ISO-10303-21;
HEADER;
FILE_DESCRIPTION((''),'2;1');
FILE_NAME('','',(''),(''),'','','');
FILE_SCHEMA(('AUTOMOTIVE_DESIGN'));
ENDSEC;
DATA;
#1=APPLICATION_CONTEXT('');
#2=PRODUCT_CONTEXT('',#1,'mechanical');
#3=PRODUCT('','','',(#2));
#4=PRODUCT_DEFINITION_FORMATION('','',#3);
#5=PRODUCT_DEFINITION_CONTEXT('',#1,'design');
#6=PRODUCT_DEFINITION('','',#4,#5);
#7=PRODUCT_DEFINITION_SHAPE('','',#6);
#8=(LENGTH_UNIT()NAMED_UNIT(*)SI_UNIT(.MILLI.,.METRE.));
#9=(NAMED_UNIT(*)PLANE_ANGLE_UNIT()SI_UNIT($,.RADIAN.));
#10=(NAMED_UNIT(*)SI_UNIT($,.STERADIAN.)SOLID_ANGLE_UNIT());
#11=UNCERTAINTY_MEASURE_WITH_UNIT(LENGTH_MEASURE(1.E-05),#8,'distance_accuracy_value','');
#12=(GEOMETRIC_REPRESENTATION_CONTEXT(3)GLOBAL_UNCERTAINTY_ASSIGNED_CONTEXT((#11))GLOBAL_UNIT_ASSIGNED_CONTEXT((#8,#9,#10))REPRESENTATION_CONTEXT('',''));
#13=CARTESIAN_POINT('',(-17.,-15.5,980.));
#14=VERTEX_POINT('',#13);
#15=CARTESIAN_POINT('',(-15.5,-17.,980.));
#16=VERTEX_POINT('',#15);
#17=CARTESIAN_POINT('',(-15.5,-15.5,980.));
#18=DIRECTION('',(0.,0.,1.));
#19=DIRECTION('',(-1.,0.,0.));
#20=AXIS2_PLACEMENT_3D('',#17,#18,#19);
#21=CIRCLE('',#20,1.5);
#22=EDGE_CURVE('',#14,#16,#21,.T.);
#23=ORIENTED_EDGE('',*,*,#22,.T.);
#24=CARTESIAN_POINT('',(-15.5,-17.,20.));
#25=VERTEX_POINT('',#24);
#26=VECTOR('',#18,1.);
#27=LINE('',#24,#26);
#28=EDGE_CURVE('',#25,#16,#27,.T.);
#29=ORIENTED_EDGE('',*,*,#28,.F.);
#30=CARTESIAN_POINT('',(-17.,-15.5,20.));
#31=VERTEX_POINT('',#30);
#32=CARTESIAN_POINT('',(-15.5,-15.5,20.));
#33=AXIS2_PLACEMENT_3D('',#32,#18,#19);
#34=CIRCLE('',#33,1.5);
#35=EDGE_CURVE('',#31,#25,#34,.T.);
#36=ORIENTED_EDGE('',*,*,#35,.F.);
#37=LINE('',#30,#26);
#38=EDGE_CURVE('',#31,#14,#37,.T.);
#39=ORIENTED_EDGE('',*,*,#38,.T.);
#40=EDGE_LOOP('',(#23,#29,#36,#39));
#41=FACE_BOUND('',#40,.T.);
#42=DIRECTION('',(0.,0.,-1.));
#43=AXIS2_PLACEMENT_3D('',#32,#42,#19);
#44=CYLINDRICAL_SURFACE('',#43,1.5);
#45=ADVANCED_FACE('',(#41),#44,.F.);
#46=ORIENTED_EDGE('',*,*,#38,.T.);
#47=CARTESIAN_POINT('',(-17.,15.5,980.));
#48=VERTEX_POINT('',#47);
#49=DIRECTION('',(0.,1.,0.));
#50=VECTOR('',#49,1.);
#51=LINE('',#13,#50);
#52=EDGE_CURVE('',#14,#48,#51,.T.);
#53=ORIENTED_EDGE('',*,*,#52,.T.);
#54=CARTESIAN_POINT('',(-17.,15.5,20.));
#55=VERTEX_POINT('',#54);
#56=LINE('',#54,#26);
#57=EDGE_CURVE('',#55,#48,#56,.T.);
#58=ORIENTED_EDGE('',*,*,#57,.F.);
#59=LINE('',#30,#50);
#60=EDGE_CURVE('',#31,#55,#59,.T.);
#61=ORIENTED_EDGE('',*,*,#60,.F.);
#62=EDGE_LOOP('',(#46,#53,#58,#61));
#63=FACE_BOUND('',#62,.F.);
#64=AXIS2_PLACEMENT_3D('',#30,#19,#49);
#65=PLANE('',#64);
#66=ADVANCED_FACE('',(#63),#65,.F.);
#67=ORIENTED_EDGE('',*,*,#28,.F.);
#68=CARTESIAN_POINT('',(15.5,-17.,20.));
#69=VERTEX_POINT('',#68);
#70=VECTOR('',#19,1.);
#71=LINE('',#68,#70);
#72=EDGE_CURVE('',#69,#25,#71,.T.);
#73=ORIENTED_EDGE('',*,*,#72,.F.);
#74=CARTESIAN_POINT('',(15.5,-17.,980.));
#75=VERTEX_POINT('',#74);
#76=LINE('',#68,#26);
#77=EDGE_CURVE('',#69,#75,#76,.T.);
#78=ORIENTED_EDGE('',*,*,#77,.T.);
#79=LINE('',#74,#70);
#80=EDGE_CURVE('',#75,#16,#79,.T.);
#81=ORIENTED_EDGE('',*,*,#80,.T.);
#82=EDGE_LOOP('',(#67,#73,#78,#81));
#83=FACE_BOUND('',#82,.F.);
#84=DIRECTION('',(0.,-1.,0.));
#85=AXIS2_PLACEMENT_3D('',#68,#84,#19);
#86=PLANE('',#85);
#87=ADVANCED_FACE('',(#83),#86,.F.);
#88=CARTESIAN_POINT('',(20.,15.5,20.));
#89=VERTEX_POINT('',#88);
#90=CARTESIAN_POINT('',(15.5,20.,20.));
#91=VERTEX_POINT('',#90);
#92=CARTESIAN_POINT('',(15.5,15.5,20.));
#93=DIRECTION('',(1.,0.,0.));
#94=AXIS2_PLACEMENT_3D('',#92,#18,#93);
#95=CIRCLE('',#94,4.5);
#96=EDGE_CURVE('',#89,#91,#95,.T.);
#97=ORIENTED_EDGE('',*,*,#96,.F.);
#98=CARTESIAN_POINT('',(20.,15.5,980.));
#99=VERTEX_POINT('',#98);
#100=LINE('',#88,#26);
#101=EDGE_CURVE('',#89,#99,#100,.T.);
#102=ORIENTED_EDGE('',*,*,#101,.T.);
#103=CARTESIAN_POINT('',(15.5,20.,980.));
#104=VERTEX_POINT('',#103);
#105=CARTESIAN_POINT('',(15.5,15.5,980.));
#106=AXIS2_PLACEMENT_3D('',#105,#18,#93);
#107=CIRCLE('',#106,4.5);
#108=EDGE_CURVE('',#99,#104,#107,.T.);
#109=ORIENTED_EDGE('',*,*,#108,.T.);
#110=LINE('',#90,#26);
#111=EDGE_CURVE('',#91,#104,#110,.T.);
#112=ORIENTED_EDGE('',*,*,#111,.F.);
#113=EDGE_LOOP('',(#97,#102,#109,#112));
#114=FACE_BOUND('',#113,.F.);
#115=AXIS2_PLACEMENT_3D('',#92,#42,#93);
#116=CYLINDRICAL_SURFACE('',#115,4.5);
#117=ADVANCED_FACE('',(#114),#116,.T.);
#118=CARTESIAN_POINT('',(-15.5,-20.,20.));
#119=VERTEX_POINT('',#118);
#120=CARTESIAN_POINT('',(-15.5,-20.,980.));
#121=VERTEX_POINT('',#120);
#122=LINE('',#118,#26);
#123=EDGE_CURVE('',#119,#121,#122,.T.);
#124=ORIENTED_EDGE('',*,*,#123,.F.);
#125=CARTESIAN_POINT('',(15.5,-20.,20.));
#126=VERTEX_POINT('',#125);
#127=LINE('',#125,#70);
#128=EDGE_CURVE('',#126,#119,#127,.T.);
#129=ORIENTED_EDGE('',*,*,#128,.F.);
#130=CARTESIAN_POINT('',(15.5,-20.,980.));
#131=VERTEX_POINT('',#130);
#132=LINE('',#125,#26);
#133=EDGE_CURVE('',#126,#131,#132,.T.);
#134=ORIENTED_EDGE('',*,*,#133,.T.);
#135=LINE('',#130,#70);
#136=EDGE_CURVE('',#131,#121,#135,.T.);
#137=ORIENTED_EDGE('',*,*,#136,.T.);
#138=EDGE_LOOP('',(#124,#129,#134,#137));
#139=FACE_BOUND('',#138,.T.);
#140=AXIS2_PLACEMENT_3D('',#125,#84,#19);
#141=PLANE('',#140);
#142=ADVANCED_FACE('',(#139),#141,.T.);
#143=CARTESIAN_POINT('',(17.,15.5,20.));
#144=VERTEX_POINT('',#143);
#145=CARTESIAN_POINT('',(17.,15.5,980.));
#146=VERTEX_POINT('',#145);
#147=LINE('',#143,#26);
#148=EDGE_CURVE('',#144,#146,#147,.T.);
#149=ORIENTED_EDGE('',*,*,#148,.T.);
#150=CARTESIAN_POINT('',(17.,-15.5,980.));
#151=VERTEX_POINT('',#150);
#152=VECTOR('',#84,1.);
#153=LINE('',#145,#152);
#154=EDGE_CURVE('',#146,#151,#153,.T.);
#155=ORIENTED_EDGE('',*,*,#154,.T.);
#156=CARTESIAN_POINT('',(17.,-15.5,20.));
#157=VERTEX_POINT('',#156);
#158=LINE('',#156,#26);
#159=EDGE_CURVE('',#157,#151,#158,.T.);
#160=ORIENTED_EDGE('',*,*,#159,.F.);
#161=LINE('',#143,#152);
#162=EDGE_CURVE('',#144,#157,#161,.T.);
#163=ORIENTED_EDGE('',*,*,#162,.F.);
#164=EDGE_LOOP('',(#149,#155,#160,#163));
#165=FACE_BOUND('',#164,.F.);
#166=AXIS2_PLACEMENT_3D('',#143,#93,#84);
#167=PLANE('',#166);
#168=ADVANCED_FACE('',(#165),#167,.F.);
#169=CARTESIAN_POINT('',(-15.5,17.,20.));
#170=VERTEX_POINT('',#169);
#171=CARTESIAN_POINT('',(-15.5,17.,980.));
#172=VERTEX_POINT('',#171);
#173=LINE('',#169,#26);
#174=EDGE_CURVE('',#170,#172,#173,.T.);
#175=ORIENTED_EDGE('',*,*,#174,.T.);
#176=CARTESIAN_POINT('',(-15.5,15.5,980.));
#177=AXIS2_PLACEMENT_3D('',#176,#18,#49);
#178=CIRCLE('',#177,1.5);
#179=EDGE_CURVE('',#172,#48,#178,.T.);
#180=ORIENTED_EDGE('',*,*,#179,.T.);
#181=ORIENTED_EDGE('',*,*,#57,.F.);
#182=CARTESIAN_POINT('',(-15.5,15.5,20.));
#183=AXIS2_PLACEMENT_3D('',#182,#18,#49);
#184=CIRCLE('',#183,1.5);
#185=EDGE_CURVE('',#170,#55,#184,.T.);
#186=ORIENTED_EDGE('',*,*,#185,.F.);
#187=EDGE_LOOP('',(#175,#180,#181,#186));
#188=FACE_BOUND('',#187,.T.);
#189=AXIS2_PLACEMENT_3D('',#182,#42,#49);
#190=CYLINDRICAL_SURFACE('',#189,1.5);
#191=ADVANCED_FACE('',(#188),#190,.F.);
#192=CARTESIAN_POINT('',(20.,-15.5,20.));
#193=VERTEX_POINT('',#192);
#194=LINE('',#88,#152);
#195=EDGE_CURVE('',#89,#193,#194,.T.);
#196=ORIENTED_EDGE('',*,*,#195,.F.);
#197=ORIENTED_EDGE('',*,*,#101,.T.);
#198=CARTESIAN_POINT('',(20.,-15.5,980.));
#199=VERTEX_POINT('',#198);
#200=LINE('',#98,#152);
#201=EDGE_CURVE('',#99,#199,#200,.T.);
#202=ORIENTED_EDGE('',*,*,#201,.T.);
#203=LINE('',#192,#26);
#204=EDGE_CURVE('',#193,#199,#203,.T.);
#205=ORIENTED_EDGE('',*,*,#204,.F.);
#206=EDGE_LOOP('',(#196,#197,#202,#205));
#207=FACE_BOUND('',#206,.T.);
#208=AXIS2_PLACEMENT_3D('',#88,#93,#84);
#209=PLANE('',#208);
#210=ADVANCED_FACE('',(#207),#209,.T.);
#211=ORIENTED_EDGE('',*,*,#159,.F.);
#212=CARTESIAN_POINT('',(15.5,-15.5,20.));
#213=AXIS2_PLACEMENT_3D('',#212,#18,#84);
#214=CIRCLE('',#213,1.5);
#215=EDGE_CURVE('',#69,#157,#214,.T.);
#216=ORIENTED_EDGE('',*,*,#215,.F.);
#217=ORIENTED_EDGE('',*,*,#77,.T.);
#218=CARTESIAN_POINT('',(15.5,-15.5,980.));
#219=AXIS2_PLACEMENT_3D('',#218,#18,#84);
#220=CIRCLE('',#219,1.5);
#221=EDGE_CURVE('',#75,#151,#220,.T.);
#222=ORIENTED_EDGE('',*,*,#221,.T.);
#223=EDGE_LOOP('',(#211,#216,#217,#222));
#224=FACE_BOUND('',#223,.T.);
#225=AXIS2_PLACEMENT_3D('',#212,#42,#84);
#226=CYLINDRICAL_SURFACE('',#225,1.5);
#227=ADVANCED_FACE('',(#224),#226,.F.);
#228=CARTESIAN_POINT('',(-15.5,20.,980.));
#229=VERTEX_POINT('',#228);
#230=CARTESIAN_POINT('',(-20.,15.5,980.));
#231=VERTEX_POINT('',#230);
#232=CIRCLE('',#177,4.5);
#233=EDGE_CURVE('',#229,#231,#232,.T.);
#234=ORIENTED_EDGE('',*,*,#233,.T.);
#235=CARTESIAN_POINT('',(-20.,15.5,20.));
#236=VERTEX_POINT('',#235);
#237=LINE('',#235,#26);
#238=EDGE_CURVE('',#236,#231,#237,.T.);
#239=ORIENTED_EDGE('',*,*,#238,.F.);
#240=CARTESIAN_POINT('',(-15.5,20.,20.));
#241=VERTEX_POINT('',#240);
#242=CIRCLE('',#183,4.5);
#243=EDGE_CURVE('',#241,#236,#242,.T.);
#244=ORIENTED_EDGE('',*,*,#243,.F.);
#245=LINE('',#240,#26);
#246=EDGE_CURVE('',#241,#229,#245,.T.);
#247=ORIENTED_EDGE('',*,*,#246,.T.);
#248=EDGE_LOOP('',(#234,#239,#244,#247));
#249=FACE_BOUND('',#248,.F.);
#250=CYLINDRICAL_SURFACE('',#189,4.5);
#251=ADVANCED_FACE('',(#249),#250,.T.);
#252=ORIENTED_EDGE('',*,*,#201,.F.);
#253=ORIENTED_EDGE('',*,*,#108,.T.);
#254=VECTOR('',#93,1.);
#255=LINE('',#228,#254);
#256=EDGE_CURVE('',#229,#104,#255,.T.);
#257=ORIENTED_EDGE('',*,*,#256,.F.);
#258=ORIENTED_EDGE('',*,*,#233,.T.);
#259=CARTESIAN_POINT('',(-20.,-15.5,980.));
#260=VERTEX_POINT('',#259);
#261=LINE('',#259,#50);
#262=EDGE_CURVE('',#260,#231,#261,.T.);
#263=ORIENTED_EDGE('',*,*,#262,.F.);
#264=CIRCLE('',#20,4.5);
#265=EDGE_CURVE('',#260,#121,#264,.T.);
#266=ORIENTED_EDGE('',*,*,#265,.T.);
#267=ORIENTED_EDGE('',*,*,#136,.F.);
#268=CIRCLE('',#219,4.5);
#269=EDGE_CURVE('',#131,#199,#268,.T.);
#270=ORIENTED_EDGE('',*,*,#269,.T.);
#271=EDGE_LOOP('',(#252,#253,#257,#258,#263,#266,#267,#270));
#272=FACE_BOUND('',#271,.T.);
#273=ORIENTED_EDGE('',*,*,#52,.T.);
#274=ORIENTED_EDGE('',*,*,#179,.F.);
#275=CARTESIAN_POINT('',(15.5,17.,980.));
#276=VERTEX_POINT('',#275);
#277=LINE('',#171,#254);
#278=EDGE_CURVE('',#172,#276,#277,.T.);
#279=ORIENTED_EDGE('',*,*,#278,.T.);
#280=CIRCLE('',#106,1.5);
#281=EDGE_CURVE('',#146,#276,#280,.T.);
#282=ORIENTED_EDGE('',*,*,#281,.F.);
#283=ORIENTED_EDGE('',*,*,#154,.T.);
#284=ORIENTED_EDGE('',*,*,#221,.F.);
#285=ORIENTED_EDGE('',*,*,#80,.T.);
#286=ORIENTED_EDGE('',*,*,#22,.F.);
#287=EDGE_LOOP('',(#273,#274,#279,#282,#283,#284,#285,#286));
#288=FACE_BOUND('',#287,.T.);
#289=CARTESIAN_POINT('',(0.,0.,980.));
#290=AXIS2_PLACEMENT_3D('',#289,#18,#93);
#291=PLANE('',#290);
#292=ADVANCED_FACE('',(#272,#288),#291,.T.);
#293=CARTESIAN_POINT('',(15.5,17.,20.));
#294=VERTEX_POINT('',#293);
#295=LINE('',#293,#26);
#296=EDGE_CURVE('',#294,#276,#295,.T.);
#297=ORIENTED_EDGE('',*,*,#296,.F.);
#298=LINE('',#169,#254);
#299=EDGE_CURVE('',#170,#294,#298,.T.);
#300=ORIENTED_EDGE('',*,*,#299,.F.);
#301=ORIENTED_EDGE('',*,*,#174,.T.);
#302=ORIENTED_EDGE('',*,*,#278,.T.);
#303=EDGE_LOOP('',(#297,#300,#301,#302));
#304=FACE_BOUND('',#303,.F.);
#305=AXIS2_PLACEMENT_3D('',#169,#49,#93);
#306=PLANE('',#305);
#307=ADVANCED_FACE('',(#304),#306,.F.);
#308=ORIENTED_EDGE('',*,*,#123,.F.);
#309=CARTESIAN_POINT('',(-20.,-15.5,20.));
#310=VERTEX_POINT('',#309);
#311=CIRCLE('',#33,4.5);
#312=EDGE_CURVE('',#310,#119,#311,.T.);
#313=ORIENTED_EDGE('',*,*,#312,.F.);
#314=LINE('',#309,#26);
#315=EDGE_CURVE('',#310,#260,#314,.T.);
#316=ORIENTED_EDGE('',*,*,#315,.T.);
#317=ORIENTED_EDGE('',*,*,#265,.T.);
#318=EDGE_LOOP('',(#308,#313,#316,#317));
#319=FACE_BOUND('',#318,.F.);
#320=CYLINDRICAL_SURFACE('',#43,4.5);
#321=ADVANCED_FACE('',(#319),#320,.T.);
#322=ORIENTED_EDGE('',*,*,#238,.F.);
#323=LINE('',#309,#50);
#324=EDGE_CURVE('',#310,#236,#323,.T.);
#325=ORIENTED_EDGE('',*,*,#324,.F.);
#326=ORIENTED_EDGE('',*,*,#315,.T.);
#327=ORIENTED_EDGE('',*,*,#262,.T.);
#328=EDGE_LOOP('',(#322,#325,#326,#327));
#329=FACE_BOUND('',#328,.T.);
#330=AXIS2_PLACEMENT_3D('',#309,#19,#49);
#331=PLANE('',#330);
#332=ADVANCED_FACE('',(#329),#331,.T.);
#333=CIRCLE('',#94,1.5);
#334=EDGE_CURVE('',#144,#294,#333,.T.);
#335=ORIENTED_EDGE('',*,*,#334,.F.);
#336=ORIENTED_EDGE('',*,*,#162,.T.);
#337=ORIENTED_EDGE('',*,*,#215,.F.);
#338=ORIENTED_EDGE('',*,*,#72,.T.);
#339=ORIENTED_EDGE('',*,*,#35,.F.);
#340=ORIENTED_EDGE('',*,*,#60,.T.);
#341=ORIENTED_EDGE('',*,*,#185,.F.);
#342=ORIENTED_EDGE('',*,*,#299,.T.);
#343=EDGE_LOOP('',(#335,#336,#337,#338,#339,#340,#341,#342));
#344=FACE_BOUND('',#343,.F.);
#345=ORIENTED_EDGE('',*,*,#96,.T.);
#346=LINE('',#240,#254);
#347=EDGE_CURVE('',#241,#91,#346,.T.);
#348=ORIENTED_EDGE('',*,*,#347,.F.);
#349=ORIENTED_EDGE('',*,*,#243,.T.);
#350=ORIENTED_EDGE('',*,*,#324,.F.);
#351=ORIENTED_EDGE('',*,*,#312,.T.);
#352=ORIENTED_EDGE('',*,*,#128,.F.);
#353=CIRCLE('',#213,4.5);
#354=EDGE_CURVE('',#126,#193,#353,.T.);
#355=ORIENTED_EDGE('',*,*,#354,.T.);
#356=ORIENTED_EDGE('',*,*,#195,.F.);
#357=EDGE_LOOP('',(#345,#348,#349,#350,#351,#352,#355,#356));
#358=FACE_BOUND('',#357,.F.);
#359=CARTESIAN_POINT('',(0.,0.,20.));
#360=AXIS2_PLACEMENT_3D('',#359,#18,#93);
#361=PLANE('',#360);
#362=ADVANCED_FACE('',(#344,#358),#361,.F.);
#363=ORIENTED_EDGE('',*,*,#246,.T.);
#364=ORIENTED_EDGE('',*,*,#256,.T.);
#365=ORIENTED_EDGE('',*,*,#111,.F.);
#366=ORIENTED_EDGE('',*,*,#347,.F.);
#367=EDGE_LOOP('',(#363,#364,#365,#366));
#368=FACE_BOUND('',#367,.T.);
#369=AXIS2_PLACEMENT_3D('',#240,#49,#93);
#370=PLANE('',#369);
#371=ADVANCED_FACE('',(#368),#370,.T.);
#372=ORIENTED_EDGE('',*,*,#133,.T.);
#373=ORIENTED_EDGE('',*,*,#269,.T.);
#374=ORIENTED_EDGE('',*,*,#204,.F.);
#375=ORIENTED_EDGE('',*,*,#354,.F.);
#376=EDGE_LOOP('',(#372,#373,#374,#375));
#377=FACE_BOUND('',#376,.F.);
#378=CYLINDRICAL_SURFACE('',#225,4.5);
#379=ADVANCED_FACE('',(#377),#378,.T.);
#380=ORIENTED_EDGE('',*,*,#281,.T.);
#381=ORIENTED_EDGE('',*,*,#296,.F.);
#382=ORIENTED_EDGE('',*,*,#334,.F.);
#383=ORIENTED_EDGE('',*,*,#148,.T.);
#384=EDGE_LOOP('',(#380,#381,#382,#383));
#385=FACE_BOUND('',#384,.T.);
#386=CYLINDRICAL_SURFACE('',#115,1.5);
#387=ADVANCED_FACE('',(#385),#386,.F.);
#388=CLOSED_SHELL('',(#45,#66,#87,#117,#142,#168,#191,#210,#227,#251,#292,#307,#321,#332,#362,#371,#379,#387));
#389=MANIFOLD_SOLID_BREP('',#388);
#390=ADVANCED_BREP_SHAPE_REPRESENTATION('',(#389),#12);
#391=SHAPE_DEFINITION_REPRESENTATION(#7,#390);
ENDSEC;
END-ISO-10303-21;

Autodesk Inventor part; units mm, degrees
ref_plane "Start Plane" through (0, 0, 20) normal (0, 0, 1) x (1, 0, 0)
ref_plane "End Plane" through (0, 0, 980) normal (0, 0, 1) x (1, 0, 0)
sketch "Sketch" plane through (0, 0, 0) normal (0, 0, 1) x (1, 0, 0)
  line L0 (-20, -15.5) -> (-20, 15.5)
  line L1 (-15.5, 20) -> (15.5, 20)
  line L2 (20, 15.5) -> (20, -15.5)
  line L3 (15.5, -20) -> (-15.5, -20)
  arc A0 (-20, -15.5) -> (-15.5, -20) centre (-15.5, -15.5) ccw
  arc A1 (-15.5, 20) -> (-20, 15.5) centre (-15.5, 15.5) ccw
  arc A2 (20, 15.5) -> (15.5, 20) centre (15.5, 15.5) ccw
  arc A3 (15.5, -20) -> (20, -15.5) centre (15.5, -15.5) ccw
  arc A4 (-15.5, 17) -> (-17, 15.5) centre (-15.5, 15.5) ccw
  line L4 (-15.5, 17) -> (15.5, 17)
  arc A5 (17, 15.5) -> (15.5, 17) centre (15.5, 15.5) ccw
  line L5 (17, 15.5) -> (17, -15.5)
  arc A6 (15.5, -17) -> (17, -15.5) centre (15.5, -15.5) ccw
  line L6 (15.5, -17) -> (-15.5, -17)
  arc A7 (-17, -15.5) -> (-15.5, -17) centre (-15.5, -15.5) ccw
  line L7 (-17, -15.5) -> (-17, 15.5)
  line L8 (0, 29.3048) -> (0, -29.3048) construction
  line L9 (-29.3048, 0) -> (29.3048, 0) construction
  dimension "d7" = 4.5
  dimension "d10" = 40
  dimension "d11" = 40
  dimension "d12" = 3
  dimension "d15" = 20
  dimension "d16" = 20
extrude "Body" add sketch "Sketch" along normal up to surface (960 mm away) from surface at 20
sketch "Sketch3" plane through (0, 0, 0) normal (0, 0, 1) x (1, 0, 0)
  line L0 (0, 0) -> (10, 0)
ref_plane "Work Plane3" through (0, 0, 0) normal (0, -1, 0) x (1, 0, 0)
ref_plane "Work Plane4" through (-15.5, 1120, 20) normal (0, 0, -1) x (-1, 0, 0)
split "Split1" plane through (-15.5, 1120, 20) removes the side toward (0, 0, -1)
ref_plane "Work Plane5" through (15.5, 1120, 980) normal (0, 0, 1) x (1, 0, 0)
split "Split2" plane through (15.5, 1120, 980) removes the side toward (0, 0, 1)
sketch "Sketch4" plane through (0, 0, 0) normal (0, -1, 0) x (1, 0, 0)
  line L0 (-2, 20) -> (12, 20) projected
  line L1 (-2, 980) -> (12, 980) projected
  dimension "d18" = 960
equation "\"d7\" = G_IR"
equation "\"d10\" = G_H"
equation "\"d11\" = G_W"
equation "\"d12\" = G_T"
equation "\"d15\" = 0.5 * d10"
equation "\"d16\" = 0.5 * d11"
equation "\"d3\" = G_L"
equation "\"G_W\" = 40"
equation "\"G_H\" = 40"
equation "\"G_T\" = 3"
equation "\"G_IR\" = 4.5"
equation "\"G_L\" = d18"
properties part number "ISO 12633-2 - 40x40x3 - 960" material "Steel, Mild"
